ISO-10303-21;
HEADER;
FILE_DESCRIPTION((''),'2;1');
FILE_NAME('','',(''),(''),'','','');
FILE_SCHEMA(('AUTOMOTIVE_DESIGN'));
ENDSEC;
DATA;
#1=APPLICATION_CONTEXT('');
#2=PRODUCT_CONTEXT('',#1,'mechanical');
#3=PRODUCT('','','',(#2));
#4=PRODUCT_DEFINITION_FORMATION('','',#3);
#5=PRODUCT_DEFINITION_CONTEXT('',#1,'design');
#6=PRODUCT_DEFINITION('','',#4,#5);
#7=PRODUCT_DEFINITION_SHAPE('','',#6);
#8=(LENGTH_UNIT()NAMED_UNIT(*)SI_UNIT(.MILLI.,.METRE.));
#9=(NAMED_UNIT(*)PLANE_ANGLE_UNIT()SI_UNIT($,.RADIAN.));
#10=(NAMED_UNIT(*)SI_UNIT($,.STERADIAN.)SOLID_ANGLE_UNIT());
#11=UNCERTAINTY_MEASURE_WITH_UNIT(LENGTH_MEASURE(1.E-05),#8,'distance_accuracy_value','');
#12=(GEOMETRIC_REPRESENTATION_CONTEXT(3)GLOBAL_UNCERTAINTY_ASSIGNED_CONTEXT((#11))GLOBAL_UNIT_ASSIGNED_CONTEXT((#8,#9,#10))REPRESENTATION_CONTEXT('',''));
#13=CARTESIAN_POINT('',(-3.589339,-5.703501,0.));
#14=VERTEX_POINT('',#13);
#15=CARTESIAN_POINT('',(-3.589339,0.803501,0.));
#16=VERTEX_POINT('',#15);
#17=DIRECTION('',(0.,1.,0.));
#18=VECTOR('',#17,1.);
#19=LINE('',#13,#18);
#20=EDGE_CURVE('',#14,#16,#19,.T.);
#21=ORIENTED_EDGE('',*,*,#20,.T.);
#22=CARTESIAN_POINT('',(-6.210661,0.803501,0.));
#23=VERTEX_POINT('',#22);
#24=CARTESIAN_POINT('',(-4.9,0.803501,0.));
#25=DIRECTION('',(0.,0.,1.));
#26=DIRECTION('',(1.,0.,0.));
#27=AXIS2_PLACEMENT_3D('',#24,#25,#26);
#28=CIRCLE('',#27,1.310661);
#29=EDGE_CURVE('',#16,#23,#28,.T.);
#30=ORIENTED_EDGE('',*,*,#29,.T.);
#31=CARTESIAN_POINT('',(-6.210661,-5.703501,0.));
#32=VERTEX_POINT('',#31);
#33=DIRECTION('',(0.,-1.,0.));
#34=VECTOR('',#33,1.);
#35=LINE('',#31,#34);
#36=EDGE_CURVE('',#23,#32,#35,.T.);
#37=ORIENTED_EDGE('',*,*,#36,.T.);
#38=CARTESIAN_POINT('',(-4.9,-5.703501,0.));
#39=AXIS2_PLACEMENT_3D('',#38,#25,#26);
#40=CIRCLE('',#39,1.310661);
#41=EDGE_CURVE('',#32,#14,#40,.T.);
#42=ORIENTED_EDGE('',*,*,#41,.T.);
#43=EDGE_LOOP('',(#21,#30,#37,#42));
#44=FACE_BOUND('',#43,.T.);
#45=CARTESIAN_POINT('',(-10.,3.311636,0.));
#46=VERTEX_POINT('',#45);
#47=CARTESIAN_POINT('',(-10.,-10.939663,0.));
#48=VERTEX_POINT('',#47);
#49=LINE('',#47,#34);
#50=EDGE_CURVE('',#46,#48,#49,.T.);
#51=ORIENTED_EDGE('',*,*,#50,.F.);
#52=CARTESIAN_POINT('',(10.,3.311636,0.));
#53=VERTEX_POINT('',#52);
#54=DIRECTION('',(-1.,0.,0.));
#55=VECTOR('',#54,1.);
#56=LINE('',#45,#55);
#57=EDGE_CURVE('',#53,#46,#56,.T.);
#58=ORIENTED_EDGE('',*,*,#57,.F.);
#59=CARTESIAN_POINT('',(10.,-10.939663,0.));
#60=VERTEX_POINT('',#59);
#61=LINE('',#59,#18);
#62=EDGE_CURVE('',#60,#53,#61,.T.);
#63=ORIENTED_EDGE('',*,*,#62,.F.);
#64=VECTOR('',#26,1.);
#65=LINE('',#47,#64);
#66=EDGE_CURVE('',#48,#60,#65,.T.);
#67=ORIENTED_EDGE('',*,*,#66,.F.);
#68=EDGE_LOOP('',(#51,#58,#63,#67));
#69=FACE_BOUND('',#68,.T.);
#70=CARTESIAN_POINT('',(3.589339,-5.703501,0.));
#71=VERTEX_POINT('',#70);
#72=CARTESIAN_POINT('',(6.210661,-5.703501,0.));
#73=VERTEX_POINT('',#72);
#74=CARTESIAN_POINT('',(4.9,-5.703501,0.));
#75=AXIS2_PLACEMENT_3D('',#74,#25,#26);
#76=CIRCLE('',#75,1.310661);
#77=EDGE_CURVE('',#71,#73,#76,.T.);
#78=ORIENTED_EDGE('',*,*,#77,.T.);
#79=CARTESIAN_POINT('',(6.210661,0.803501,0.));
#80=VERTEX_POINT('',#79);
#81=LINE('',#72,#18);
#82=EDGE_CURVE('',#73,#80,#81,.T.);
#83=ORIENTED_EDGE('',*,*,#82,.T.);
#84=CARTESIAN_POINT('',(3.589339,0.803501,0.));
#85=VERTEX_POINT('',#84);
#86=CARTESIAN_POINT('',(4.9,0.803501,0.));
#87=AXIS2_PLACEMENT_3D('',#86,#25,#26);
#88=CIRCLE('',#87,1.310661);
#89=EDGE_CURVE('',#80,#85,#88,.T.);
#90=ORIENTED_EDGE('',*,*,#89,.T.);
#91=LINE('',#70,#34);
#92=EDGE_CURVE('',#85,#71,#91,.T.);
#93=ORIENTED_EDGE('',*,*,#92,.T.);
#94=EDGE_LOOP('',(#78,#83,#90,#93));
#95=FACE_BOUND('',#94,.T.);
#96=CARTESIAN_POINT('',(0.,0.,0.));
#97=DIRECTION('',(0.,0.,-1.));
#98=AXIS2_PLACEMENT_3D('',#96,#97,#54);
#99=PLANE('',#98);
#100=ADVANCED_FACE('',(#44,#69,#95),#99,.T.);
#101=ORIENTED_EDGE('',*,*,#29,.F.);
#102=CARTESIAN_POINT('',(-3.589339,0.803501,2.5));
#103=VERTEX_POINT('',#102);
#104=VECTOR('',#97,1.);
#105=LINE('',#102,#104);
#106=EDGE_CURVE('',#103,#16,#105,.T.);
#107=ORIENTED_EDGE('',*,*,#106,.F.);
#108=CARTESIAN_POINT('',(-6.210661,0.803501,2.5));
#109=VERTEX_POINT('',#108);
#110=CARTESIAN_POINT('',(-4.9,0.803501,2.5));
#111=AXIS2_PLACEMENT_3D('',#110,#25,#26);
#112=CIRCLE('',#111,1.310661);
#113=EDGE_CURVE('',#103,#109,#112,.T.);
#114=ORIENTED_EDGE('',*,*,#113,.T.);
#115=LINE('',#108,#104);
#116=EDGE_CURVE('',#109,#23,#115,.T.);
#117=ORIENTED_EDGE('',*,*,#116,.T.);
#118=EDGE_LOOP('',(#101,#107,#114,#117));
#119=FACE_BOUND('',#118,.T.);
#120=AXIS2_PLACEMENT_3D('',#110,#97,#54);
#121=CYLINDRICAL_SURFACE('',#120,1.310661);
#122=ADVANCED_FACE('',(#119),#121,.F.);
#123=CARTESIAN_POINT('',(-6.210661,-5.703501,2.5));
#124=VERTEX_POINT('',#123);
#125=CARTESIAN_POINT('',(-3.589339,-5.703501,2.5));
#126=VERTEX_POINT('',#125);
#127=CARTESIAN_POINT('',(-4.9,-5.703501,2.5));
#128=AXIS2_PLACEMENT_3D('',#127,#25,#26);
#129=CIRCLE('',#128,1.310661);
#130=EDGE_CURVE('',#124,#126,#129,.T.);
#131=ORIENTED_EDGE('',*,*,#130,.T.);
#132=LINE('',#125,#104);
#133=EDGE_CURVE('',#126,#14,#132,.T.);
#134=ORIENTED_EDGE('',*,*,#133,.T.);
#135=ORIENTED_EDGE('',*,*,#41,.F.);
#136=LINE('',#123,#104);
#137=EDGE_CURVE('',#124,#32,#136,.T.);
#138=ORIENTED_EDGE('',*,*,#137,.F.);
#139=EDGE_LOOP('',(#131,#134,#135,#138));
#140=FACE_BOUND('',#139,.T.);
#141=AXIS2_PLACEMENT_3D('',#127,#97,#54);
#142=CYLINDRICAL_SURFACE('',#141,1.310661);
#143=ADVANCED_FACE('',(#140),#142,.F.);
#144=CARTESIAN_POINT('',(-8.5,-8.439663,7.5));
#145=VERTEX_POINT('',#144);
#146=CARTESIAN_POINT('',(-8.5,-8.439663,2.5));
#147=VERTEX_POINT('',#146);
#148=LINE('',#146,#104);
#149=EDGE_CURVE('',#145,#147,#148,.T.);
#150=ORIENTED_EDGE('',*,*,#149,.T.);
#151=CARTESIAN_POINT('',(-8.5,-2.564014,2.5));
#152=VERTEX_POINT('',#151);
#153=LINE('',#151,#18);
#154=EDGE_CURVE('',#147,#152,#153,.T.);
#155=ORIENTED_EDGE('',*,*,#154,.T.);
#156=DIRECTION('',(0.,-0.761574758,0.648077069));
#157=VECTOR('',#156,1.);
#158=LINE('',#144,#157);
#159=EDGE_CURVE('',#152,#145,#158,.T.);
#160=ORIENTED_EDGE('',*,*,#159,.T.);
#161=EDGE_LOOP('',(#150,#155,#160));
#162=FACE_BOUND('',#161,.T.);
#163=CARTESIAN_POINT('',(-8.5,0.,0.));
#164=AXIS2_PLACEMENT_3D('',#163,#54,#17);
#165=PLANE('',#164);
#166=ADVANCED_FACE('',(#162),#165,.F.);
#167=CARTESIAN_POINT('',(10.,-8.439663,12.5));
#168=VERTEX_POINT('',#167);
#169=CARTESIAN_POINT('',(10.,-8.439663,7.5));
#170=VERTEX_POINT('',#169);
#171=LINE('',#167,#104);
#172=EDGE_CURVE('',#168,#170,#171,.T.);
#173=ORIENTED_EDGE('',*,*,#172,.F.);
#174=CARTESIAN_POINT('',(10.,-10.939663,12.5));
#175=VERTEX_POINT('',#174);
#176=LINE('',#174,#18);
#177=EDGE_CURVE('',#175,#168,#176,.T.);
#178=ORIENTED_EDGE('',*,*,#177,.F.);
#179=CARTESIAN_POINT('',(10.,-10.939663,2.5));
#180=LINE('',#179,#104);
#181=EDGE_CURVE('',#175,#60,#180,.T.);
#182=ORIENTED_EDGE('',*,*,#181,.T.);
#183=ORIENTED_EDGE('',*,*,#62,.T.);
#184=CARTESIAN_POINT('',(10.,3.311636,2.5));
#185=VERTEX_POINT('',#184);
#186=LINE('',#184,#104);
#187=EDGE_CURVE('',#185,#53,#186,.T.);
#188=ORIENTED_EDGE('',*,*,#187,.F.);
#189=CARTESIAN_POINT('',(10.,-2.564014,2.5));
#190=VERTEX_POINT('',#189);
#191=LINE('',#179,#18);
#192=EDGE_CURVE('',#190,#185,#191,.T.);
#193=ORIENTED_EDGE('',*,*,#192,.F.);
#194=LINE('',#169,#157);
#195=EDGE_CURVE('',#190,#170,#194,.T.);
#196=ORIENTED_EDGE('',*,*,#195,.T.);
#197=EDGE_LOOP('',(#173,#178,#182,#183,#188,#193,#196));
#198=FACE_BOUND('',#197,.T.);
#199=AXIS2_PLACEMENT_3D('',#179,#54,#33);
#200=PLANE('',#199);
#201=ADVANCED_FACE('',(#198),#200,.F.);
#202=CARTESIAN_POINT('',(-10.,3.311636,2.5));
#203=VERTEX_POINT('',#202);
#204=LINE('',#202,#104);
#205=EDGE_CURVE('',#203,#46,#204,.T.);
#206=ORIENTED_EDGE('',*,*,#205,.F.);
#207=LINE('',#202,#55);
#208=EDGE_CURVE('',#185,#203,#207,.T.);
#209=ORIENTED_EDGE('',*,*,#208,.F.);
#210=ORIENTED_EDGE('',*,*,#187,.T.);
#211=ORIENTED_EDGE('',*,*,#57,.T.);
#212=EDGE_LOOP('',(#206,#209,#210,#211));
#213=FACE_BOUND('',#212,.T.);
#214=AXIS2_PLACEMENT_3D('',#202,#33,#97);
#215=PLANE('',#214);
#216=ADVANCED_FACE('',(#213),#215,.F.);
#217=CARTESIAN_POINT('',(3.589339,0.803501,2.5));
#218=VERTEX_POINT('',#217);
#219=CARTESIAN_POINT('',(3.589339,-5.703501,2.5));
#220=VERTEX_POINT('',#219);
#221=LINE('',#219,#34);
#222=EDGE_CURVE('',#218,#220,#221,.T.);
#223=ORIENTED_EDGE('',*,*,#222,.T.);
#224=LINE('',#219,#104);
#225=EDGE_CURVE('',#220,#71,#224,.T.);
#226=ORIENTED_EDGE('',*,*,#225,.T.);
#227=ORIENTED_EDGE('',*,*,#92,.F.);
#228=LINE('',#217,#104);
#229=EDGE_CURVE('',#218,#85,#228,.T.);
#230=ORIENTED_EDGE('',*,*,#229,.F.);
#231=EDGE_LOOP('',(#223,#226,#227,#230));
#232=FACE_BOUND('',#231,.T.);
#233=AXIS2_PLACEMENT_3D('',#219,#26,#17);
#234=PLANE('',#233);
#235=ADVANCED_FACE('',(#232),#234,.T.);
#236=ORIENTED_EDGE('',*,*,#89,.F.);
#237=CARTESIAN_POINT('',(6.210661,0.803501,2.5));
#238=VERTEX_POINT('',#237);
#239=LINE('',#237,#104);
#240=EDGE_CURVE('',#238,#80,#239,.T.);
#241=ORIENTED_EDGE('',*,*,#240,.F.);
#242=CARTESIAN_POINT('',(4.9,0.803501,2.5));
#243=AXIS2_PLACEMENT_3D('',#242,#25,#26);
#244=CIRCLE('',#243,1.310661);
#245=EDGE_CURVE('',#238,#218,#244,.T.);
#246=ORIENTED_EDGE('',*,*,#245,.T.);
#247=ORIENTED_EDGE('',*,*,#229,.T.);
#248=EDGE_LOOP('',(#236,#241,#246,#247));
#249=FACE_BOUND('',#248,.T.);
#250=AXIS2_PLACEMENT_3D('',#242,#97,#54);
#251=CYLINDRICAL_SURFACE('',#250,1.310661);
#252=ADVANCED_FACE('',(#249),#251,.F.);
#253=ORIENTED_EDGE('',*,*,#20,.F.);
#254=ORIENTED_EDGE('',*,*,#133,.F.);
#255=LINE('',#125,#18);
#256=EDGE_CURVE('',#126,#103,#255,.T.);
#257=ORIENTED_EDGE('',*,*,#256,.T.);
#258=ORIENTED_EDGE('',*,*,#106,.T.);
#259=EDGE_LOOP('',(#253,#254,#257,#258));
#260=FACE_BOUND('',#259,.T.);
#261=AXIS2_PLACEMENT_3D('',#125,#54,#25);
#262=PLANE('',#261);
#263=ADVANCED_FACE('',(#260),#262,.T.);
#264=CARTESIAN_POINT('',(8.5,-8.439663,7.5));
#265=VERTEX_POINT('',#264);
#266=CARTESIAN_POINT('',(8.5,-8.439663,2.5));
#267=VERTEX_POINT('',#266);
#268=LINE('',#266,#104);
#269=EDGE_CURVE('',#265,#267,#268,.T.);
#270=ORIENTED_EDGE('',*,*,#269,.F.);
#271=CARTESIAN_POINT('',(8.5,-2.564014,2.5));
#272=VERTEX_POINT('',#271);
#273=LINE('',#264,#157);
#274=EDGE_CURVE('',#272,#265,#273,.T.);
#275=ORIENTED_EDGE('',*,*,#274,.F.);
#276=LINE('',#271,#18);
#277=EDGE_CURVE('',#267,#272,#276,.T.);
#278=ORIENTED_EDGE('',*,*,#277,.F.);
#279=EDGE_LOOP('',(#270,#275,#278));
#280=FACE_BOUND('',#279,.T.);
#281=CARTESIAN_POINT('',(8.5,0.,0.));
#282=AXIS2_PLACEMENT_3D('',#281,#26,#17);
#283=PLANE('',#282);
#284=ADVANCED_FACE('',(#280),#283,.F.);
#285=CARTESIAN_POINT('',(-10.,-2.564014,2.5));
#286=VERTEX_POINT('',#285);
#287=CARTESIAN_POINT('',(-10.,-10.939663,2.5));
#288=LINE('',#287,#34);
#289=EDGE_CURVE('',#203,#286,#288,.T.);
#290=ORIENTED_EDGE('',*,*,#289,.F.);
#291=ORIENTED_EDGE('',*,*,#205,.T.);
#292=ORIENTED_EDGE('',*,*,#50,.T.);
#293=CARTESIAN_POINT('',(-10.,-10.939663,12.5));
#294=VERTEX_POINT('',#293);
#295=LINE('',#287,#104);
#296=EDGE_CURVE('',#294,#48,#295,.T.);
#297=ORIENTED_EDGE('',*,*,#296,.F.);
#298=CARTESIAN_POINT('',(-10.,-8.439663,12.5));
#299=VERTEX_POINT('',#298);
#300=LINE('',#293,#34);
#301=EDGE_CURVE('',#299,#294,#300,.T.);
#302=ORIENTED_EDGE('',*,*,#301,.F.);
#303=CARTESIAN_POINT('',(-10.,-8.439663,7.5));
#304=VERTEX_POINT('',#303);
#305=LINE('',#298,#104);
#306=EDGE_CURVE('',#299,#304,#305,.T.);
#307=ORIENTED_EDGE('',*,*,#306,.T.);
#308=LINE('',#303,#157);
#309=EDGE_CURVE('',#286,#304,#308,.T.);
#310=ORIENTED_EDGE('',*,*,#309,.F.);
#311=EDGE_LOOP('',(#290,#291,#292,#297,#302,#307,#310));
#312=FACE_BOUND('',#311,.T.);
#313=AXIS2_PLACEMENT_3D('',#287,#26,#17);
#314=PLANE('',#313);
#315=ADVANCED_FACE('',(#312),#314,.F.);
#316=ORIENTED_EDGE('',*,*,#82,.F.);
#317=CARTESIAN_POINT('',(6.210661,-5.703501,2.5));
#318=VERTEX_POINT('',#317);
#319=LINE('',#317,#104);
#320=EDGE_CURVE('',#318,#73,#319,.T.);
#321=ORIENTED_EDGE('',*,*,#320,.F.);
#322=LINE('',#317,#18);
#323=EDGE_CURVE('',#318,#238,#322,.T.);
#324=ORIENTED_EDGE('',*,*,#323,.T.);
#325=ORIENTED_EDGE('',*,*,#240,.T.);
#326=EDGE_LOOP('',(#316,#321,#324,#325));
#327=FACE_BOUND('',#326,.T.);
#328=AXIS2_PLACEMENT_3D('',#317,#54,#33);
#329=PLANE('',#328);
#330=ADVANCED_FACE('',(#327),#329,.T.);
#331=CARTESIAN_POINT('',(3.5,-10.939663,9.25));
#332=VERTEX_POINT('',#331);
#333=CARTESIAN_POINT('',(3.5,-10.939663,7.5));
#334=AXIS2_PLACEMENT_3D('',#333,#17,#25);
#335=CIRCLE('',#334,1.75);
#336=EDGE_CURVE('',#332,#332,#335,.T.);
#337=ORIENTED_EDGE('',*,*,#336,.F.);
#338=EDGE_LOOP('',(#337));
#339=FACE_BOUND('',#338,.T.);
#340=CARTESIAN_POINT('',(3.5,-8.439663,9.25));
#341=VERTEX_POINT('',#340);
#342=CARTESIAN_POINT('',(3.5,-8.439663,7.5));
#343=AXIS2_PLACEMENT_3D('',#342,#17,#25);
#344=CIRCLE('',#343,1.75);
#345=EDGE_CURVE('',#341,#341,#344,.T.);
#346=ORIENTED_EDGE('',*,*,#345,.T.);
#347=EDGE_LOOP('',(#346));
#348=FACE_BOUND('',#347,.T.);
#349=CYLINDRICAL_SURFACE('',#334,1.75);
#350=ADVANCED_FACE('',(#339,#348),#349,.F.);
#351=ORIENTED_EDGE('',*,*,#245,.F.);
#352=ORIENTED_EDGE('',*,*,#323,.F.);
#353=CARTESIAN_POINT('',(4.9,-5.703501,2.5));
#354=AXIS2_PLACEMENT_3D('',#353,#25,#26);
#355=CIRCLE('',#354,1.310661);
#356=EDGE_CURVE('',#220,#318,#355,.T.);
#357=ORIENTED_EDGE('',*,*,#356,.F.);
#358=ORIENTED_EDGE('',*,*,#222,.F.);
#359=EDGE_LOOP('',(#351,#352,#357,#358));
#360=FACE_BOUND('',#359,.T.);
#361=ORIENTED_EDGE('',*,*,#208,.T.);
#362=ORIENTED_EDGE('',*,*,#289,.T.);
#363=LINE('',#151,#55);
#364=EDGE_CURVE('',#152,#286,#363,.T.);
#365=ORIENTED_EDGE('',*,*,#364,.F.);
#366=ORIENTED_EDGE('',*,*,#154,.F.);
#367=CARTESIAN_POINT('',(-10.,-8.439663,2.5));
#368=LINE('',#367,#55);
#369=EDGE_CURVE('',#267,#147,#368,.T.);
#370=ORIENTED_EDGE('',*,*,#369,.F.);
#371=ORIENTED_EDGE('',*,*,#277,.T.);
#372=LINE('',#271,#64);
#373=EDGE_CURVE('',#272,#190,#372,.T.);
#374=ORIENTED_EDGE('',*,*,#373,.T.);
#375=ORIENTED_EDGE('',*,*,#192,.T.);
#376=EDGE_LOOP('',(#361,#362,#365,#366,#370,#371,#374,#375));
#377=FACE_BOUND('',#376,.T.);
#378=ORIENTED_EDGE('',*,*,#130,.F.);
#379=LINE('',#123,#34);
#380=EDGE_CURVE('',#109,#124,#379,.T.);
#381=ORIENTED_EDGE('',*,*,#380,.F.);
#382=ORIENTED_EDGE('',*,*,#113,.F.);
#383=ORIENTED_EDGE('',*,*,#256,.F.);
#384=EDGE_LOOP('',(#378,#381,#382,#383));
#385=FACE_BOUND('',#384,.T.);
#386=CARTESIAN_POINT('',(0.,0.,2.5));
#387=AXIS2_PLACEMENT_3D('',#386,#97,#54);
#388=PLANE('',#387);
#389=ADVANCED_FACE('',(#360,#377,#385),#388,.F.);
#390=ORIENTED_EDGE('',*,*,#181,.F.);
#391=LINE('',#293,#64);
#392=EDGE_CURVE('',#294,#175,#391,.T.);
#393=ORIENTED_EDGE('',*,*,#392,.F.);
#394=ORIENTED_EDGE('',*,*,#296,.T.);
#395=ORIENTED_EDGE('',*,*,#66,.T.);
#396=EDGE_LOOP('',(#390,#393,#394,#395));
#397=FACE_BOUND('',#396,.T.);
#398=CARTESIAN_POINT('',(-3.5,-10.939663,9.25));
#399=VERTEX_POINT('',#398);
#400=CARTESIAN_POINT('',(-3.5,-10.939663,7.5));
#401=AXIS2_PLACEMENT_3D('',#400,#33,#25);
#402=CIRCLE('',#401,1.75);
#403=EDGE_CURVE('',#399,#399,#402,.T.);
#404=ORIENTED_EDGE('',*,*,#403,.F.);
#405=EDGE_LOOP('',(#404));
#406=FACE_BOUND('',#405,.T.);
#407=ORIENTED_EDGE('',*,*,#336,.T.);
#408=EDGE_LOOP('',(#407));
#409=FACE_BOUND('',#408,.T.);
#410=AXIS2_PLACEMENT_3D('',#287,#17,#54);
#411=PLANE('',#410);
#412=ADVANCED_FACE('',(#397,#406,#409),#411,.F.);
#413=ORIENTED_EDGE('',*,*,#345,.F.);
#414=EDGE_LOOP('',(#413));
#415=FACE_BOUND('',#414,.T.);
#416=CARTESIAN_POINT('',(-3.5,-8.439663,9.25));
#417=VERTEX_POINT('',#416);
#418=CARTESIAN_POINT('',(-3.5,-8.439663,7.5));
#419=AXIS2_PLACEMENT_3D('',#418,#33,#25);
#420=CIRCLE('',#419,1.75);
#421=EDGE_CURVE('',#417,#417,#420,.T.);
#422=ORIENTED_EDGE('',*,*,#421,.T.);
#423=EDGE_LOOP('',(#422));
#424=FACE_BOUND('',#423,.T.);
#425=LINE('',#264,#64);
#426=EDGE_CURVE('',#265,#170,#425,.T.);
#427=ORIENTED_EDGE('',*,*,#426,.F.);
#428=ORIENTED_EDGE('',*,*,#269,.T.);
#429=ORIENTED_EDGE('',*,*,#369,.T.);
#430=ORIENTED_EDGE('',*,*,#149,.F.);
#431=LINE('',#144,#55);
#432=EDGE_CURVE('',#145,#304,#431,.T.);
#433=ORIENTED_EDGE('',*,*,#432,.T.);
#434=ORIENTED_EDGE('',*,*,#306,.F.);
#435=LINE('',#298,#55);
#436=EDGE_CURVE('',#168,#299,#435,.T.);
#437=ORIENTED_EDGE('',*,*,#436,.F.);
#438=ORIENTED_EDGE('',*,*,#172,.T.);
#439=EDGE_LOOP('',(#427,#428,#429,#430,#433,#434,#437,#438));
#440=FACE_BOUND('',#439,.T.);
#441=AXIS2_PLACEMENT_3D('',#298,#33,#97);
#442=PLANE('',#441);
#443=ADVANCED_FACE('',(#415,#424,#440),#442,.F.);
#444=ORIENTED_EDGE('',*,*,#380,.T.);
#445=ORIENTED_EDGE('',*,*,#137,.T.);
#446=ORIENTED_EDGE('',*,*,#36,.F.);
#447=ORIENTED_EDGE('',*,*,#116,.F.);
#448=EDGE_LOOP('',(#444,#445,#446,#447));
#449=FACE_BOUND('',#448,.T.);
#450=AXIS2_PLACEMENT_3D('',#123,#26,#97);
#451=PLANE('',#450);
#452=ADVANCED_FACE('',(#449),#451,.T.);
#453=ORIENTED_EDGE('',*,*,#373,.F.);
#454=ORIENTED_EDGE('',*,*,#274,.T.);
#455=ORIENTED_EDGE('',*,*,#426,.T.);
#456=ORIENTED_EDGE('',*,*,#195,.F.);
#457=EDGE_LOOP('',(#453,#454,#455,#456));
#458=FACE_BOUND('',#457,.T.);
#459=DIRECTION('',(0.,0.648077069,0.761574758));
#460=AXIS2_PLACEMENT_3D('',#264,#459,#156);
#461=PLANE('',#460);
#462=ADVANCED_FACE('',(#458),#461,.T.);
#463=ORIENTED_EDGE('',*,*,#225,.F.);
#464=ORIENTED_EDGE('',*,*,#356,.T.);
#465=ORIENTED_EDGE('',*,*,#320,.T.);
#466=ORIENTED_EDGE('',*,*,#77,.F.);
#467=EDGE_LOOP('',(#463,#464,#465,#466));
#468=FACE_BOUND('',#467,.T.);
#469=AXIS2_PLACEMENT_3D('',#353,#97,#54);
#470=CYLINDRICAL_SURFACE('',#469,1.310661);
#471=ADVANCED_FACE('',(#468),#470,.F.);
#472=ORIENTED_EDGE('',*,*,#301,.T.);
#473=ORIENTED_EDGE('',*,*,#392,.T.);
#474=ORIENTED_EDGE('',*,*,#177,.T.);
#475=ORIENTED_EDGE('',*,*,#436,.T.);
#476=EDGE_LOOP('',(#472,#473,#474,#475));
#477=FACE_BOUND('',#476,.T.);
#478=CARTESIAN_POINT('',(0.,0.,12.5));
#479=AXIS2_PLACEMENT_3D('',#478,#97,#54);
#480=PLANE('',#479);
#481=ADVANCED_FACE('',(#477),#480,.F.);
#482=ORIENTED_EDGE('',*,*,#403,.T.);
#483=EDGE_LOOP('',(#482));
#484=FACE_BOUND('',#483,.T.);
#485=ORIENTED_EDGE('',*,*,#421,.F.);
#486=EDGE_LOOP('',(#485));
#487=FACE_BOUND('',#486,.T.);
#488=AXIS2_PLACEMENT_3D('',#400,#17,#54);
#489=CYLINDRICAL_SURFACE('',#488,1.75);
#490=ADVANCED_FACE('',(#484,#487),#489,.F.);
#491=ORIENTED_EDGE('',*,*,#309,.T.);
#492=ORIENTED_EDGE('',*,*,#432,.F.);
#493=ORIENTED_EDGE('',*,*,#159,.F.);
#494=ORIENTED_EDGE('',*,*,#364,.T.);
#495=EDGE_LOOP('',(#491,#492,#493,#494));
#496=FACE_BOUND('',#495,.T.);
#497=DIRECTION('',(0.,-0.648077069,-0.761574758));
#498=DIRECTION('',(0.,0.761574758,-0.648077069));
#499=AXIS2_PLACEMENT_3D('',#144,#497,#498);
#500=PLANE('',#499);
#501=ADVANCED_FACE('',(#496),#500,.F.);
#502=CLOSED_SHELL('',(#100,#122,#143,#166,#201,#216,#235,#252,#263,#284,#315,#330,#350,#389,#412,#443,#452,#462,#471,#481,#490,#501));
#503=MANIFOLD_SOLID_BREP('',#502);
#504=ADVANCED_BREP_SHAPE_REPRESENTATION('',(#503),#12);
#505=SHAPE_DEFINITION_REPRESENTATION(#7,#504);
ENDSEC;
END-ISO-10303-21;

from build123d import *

# Parameters (mm, degrees)
SKETCH1_W           = 20
SKETCH1_H           = 14.251299249
BOSS_EXTRUDE1_DEPTH = 2.5
SKETCH2_W           = 20
SKETCH2_H           = 2.5
BOSS_EXTRUDE2_DEPTH = 10
BOSS_EXTRUDE5_DEPTH = 1.5
SKETCH4_R           = 1.75
CUT_EXTRUDE1_DEPTH  = 20.858072264


with BuildPart() as part:
    # Sketch1 → Boss-Extrude1 (new body)
    with BuildSketch(Plane.XY):
        with Locations((0, -3.814013666)):
            Rectangle(SKETCH1_W, SKETCH1_H)
        with BuildLine():
            Line((-6.210661491, -5.703500897), (-6.210661491, 0.803500897))
            ThreePointArc((-6.210661491, 0.803500897), (-4.9, 2.114162388), (-3.589338509, 0.803500897))
            Line((-3.589338509, 0.803500897), (-3.589338509, -5.703500897))
            ThreePointArc((-3.589338509, -5.703500897), (-4.9, -7.014162388), (-6.210661491, -5.703500897))
        make_face(mode=Mode.SUBTRACT)
        with BuildLine():
            Line((3.589338509, -5.703500897), (3.589338509, 0.803500897))
            ThreePointArc((3.589338509, 0.803500897), (4.9, 2.114162388), (6.210661491, 0.803500897))
            Line((6.210661491, 0.803500897), (6.210661491, -5.703500897))
            ThreePointArc((6.210661491, -5.703500897), (4.9, -7.014162388), (3.589338509, -5.703500897))
        make_face(mode=Mode.SUBTRACT)
    extrude(amount=BOSS_EXTRUDE1_DEPTH)

    # Sketch2 → Boss-Extrude2 (add)
    with BuildSketch(Plane.XY.offset(2.5)):
        with Locations((0, -9.68966329)):
            Rectangle(SKETCH2_W, SKETCH2_H)
    extrude(amount=BOSS_EXTRUDE2_DEPTH)

    # Sketch3 → Boss-Extrude5 (add)
    with BuildSketch(Plane(origin=(10, 0, 0), x_dir=(0, 0, -1), z_dir=(1, 0, 0))):
        Polygon((-7.5, -8.43966329), (-2.5, -2.564013666), (-2.5, -8.43966329), align=None)
    boss_extrude5 = extrude(amount=-BOSS_EXTRUDE5_DEPTH)

    # Sketch4 → Cut-Extrude1 (cut, through all)
    with BuildSketch(Plane(origin=(0, -8.43966329, 0), x_dir=(1, 0, 0), z_dir=(0, 1, 0))):
        with Locations(Location((3.5, -7.5, 0), (0, 0, 270))):
            Circle(SKETCH4_R)
    cut_extrude1 = extrude(amount=-CUT_EXTRUDE1_DEPTH, mode=Mode.SUBTRACT)

    # Mirror1: Boss-Extrude5, Cut-Extrude1 across plane
    add(boss_extrude5.mirror(Plane.ZY))
    add(cut_extrude1.mirror(Plane.ZY), mode=Mode.SUBTRACT)


solid = part.part
